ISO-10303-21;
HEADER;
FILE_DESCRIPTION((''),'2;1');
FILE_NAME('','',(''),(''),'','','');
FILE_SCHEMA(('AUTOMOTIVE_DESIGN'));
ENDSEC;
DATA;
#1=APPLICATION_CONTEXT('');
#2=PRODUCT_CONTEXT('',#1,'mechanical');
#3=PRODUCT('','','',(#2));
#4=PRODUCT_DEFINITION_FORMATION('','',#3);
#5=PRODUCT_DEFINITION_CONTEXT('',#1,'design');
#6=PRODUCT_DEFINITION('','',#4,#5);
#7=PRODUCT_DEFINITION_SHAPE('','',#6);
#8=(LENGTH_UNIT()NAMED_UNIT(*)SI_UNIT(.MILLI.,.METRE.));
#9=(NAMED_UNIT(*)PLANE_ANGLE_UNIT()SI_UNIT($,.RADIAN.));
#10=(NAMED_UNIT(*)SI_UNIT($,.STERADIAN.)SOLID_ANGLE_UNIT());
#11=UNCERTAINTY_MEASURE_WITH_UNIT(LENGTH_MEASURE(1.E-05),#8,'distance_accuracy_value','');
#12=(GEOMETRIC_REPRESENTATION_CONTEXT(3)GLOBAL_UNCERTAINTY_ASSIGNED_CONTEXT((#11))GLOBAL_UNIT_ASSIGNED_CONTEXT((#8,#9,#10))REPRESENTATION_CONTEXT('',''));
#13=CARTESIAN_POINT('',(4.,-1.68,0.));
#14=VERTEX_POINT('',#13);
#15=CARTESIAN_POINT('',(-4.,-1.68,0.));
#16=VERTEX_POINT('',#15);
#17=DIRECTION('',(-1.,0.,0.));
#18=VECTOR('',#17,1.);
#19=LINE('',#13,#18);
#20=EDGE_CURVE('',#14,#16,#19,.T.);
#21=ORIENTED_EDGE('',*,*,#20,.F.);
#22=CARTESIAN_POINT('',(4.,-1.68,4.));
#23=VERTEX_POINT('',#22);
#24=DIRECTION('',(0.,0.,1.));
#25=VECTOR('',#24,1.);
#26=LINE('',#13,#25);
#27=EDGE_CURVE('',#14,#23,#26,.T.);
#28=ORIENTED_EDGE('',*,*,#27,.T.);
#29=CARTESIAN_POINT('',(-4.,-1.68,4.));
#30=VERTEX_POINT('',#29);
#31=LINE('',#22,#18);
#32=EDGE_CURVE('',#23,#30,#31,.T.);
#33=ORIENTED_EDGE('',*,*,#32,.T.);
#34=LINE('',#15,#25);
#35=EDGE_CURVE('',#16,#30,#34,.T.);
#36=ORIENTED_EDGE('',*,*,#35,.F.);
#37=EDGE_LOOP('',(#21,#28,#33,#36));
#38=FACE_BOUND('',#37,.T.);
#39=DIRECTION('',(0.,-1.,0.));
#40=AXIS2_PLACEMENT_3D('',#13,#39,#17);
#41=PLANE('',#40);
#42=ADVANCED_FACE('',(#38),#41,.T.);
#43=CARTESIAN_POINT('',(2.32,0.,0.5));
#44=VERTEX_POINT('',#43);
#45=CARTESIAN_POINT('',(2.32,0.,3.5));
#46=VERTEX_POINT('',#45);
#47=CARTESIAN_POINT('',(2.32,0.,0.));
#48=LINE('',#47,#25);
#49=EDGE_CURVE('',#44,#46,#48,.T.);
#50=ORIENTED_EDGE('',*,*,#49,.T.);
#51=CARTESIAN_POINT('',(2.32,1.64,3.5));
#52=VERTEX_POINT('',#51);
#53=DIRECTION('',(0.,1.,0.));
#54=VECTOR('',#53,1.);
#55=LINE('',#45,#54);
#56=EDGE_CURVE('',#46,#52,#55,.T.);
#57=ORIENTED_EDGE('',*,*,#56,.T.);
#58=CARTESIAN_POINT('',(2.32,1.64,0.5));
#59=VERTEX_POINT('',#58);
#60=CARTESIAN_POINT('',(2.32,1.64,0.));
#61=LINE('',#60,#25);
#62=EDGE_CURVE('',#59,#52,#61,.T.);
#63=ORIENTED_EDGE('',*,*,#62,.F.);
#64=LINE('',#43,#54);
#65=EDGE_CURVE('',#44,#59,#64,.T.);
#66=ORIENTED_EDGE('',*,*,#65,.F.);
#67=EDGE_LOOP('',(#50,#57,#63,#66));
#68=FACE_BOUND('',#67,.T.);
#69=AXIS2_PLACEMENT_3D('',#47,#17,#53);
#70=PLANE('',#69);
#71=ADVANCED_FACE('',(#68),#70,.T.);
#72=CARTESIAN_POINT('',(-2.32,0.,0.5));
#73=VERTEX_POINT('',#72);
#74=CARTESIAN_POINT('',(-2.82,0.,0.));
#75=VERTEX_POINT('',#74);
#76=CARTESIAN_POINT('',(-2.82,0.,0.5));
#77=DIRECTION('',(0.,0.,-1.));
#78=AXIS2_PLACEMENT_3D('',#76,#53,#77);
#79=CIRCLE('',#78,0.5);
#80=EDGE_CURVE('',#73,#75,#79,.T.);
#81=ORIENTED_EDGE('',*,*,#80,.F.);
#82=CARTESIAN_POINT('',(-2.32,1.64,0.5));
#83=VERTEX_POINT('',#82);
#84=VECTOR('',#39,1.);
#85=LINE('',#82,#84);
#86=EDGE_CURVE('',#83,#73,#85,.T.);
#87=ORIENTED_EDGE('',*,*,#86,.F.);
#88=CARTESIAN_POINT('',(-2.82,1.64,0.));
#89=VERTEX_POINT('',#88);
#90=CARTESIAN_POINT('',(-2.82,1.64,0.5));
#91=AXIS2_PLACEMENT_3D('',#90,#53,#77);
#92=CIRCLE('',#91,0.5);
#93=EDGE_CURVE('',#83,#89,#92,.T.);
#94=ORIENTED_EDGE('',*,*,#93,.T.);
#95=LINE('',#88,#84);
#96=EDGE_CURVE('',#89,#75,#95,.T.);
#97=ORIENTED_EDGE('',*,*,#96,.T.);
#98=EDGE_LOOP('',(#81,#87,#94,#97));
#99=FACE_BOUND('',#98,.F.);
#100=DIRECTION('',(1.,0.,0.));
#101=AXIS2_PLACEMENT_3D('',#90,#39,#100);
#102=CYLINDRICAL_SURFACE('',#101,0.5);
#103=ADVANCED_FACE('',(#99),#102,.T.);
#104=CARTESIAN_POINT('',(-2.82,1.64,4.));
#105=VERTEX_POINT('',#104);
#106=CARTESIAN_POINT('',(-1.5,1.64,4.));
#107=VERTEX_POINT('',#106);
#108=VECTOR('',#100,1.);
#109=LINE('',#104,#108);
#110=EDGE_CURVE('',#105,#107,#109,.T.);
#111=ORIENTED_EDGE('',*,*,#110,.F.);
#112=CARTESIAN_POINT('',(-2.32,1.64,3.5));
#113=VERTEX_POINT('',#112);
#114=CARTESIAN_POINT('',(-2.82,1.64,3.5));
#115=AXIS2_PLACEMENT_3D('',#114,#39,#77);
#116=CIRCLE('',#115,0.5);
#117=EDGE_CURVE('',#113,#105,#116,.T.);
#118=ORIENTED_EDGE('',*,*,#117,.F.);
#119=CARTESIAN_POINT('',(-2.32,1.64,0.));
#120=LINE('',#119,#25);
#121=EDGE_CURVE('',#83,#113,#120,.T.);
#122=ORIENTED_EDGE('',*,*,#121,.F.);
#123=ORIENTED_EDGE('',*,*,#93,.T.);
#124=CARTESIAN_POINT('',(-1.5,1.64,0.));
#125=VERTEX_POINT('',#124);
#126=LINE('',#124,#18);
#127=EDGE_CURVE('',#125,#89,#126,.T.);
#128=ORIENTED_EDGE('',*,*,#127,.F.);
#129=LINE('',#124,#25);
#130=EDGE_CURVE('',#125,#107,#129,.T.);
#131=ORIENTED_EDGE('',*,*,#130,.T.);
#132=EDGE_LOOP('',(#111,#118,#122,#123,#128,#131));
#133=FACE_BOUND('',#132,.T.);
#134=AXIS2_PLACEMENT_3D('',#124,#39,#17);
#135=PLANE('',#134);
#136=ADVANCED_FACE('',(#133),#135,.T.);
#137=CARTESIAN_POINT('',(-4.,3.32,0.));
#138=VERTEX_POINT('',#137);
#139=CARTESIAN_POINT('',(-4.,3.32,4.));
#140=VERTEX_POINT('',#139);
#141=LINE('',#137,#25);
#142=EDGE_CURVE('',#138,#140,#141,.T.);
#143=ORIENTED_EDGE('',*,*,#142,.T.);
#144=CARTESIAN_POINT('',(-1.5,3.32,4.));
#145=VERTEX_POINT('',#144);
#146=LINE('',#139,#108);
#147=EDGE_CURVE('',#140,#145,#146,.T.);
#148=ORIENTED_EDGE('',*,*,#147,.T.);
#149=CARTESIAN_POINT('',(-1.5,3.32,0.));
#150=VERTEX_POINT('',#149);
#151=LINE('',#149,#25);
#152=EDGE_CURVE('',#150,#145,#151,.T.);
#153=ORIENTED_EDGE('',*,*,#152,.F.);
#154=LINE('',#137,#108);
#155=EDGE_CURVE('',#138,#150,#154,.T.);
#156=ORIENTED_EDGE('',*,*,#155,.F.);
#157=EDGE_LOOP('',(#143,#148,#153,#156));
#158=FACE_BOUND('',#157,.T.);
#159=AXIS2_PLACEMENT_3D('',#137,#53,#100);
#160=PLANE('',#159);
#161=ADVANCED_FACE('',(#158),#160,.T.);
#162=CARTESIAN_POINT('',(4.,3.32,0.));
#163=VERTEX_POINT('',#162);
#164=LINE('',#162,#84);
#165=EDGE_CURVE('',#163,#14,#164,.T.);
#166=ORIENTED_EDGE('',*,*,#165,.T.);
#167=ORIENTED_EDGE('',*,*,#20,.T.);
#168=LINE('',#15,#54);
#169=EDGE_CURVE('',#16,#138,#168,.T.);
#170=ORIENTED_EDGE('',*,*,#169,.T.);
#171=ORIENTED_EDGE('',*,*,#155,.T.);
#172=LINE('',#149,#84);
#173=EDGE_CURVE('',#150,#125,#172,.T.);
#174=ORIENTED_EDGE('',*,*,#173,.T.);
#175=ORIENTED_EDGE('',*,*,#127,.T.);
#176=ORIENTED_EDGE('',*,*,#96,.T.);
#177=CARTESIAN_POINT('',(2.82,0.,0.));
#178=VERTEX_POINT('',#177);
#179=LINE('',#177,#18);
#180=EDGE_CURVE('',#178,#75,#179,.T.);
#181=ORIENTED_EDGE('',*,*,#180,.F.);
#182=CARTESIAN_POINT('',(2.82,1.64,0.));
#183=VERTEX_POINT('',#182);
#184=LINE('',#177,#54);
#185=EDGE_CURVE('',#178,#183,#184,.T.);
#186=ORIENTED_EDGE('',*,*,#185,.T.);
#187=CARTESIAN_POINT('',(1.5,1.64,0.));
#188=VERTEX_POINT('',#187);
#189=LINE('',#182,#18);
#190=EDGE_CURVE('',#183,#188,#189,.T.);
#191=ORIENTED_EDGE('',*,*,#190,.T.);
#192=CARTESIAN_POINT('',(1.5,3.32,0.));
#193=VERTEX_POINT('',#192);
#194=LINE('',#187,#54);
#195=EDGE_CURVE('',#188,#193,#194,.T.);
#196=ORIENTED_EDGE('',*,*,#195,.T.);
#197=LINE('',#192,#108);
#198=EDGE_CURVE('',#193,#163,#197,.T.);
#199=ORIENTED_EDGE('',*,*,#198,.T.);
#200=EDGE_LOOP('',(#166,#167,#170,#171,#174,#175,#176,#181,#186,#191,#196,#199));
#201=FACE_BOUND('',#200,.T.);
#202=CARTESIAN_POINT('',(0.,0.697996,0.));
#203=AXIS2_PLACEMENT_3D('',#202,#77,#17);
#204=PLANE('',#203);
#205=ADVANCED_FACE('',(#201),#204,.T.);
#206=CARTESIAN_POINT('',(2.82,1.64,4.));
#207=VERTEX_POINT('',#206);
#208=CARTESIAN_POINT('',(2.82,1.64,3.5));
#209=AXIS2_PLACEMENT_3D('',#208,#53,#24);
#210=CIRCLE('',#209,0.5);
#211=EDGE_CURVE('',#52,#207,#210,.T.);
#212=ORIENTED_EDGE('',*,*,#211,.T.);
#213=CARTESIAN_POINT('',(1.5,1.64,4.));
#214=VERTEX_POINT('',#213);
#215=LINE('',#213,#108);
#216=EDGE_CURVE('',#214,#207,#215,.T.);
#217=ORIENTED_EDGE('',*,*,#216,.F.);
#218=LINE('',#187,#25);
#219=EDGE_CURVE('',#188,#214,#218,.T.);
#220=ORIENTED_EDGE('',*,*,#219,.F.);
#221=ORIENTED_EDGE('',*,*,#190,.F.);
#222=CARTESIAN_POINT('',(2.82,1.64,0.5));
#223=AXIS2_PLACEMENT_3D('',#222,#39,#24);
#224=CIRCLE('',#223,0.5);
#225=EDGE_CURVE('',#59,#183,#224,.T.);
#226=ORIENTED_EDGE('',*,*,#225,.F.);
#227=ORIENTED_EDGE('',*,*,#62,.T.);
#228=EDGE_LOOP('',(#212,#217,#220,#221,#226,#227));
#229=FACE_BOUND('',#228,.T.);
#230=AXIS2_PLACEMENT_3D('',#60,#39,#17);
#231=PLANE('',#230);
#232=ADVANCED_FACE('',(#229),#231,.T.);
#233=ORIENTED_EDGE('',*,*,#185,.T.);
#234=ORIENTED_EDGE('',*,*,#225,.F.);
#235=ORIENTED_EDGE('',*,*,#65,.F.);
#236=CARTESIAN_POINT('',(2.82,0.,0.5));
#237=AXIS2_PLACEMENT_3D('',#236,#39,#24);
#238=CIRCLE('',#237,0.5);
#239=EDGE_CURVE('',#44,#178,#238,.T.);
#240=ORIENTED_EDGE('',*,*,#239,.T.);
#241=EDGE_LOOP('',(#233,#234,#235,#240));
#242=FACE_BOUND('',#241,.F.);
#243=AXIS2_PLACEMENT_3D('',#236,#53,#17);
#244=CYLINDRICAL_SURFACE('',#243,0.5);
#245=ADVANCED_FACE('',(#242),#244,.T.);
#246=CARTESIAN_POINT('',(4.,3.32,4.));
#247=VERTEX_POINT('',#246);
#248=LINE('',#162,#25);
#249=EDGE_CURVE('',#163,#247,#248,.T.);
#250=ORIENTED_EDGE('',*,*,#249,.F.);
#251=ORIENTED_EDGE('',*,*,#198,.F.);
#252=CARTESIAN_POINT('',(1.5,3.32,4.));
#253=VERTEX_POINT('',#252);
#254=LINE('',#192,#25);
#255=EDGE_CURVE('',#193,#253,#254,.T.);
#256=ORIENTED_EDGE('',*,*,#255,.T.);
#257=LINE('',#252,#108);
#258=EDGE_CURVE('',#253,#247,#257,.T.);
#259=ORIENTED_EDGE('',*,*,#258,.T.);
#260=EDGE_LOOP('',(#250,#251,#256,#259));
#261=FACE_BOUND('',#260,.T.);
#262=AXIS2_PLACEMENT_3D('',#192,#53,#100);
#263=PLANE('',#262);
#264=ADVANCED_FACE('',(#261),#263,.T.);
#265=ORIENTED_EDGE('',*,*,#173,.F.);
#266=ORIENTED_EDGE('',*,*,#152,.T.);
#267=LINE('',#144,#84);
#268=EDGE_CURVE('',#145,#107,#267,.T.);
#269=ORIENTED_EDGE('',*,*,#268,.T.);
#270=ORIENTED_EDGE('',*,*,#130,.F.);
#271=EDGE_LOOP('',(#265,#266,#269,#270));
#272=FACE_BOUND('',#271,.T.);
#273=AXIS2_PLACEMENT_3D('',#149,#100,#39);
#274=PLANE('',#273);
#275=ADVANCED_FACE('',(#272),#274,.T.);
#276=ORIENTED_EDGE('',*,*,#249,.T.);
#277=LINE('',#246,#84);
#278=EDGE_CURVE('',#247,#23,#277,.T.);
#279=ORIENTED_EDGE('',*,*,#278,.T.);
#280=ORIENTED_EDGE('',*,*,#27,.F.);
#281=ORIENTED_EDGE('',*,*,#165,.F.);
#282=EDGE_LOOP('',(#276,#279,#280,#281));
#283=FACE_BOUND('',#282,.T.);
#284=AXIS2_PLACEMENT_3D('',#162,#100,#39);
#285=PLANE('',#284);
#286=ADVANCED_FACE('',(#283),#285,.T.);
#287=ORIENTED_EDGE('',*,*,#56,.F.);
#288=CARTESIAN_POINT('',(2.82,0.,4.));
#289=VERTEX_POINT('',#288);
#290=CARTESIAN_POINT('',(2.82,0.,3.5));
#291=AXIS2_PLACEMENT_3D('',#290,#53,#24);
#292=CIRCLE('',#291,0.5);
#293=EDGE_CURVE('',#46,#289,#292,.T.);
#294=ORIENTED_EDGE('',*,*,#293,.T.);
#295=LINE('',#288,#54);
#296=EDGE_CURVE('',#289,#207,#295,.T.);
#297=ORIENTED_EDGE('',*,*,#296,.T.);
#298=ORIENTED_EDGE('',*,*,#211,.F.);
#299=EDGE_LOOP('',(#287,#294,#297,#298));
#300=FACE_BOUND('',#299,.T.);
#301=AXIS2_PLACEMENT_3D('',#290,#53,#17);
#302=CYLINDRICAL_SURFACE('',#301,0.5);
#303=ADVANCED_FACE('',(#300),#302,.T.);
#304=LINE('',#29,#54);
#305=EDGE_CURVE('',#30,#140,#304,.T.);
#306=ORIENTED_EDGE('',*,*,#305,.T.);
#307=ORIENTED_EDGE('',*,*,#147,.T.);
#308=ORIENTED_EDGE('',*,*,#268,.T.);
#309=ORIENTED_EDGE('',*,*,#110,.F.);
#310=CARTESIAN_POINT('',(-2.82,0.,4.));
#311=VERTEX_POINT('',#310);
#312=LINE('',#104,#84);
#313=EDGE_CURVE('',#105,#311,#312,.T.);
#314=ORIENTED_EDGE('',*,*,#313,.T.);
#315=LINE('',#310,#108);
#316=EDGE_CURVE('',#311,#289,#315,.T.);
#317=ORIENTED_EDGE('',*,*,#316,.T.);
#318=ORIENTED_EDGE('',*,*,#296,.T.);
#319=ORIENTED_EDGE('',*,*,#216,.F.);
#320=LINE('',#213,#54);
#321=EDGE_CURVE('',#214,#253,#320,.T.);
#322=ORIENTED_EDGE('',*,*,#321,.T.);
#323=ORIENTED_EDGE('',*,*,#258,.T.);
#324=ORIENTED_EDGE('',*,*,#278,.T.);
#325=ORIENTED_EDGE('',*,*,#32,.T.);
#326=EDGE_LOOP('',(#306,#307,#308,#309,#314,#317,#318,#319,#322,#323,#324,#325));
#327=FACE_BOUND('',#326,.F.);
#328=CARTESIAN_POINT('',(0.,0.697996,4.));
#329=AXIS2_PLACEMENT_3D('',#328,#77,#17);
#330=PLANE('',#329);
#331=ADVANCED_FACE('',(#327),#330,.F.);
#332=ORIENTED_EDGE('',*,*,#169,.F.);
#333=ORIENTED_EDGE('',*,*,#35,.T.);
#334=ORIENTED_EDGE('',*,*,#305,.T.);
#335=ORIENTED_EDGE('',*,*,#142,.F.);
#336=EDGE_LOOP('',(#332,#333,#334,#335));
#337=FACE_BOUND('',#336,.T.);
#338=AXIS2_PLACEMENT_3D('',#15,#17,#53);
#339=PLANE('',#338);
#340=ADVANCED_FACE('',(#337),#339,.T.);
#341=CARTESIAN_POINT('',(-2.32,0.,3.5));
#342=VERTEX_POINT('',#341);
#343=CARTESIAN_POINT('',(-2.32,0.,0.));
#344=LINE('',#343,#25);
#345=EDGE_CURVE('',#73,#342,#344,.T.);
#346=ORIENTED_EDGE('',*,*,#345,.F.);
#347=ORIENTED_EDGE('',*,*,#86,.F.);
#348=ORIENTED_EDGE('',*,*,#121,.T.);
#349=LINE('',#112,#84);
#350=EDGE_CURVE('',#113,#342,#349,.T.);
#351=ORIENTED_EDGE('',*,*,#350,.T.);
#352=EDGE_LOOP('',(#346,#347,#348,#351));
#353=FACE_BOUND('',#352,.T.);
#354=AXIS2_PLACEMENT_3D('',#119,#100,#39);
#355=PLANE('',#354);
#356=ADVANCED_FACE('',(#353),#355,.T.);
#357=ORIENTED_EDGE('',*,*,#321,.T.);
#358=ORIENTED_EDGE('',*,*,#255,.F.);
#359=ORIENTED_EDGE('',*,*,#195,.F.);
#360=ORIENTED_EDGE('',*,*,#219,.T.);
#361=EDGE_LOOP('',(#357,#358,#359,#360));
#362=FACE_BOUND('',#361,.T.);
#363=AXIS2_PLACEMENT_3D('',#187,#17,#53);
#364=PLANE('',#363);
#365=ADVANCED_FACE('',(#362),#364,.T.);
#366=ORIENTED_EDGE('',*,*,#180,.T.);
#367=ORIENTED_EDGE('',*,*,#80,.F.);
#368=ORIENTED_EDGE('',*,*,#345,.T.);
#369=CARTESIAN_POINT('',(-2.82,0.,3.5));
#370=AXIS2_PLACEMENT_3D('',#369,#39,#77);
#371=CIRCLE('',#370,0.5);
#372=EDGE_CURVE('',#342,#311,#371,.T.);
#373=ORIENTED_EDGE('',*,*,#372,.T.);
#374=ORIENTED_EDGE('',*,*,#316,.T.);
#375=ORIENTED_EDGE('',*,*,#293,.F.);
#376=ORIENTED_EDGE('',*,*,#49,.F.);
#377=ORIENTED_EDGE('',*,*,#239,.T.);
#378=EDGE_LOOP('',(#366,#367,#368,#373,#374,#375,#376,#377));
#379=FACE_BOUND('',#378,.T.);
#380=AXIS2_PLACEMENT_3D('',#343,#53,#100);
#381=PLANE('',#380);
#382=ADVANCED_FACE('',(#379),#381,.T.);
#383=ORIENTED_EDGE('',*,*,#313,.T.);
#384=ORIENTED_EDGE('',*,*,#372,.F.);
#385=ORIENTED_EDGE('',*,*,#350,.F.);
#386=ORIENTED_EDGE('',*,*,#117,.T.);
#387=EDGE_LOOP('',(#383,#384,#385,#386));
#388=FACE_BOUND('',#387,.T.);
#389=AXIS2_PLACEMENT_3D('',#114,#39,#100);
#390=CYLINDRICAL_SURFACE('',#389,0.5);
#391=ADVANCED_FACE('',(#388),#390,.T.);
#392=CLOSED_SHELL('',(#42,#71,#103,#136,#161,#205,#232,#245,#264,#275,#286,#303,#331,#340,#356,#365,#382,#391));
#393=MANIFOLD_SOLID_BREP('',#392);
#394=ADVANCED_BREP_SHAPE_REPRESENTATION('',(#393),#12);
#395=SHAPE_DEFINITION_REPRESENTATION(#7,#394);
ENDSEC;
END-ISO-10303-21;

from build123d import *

# Parameters (mm, degrees)
PAD_DEPTH = 4
FILLET_R  = 0.5


with BuildPart() as part:
    # Sketch → Pad (new body)
    with BuildSketch(Plane.XY):
        Polygon((-2.32, 0), (2.32, 0), (2.32, 1.64), (1.5, 1.64), (1.5, 3.32), (4, 3.32), (4, -1.68), (-4, -1.68), (-4, 3.32), (-1.5, 3.32), (-1.5, 1.64), (-2.32, 1.64), align=None)
    extrude(amount=PAD_DEPTH)

    # Fillet
    fillet_edges = [part.edges().sort_by_distance(p)[0] for p in [
        (2.32, 0.82, 4),
        (-2.32, 0.82, 4),
        (2.32, 0.82, 0),
        (-2.32, 0.82, 0),
    ]]
    fillet(fillet_edges, radius=FILLET_R)


solid = part.part
